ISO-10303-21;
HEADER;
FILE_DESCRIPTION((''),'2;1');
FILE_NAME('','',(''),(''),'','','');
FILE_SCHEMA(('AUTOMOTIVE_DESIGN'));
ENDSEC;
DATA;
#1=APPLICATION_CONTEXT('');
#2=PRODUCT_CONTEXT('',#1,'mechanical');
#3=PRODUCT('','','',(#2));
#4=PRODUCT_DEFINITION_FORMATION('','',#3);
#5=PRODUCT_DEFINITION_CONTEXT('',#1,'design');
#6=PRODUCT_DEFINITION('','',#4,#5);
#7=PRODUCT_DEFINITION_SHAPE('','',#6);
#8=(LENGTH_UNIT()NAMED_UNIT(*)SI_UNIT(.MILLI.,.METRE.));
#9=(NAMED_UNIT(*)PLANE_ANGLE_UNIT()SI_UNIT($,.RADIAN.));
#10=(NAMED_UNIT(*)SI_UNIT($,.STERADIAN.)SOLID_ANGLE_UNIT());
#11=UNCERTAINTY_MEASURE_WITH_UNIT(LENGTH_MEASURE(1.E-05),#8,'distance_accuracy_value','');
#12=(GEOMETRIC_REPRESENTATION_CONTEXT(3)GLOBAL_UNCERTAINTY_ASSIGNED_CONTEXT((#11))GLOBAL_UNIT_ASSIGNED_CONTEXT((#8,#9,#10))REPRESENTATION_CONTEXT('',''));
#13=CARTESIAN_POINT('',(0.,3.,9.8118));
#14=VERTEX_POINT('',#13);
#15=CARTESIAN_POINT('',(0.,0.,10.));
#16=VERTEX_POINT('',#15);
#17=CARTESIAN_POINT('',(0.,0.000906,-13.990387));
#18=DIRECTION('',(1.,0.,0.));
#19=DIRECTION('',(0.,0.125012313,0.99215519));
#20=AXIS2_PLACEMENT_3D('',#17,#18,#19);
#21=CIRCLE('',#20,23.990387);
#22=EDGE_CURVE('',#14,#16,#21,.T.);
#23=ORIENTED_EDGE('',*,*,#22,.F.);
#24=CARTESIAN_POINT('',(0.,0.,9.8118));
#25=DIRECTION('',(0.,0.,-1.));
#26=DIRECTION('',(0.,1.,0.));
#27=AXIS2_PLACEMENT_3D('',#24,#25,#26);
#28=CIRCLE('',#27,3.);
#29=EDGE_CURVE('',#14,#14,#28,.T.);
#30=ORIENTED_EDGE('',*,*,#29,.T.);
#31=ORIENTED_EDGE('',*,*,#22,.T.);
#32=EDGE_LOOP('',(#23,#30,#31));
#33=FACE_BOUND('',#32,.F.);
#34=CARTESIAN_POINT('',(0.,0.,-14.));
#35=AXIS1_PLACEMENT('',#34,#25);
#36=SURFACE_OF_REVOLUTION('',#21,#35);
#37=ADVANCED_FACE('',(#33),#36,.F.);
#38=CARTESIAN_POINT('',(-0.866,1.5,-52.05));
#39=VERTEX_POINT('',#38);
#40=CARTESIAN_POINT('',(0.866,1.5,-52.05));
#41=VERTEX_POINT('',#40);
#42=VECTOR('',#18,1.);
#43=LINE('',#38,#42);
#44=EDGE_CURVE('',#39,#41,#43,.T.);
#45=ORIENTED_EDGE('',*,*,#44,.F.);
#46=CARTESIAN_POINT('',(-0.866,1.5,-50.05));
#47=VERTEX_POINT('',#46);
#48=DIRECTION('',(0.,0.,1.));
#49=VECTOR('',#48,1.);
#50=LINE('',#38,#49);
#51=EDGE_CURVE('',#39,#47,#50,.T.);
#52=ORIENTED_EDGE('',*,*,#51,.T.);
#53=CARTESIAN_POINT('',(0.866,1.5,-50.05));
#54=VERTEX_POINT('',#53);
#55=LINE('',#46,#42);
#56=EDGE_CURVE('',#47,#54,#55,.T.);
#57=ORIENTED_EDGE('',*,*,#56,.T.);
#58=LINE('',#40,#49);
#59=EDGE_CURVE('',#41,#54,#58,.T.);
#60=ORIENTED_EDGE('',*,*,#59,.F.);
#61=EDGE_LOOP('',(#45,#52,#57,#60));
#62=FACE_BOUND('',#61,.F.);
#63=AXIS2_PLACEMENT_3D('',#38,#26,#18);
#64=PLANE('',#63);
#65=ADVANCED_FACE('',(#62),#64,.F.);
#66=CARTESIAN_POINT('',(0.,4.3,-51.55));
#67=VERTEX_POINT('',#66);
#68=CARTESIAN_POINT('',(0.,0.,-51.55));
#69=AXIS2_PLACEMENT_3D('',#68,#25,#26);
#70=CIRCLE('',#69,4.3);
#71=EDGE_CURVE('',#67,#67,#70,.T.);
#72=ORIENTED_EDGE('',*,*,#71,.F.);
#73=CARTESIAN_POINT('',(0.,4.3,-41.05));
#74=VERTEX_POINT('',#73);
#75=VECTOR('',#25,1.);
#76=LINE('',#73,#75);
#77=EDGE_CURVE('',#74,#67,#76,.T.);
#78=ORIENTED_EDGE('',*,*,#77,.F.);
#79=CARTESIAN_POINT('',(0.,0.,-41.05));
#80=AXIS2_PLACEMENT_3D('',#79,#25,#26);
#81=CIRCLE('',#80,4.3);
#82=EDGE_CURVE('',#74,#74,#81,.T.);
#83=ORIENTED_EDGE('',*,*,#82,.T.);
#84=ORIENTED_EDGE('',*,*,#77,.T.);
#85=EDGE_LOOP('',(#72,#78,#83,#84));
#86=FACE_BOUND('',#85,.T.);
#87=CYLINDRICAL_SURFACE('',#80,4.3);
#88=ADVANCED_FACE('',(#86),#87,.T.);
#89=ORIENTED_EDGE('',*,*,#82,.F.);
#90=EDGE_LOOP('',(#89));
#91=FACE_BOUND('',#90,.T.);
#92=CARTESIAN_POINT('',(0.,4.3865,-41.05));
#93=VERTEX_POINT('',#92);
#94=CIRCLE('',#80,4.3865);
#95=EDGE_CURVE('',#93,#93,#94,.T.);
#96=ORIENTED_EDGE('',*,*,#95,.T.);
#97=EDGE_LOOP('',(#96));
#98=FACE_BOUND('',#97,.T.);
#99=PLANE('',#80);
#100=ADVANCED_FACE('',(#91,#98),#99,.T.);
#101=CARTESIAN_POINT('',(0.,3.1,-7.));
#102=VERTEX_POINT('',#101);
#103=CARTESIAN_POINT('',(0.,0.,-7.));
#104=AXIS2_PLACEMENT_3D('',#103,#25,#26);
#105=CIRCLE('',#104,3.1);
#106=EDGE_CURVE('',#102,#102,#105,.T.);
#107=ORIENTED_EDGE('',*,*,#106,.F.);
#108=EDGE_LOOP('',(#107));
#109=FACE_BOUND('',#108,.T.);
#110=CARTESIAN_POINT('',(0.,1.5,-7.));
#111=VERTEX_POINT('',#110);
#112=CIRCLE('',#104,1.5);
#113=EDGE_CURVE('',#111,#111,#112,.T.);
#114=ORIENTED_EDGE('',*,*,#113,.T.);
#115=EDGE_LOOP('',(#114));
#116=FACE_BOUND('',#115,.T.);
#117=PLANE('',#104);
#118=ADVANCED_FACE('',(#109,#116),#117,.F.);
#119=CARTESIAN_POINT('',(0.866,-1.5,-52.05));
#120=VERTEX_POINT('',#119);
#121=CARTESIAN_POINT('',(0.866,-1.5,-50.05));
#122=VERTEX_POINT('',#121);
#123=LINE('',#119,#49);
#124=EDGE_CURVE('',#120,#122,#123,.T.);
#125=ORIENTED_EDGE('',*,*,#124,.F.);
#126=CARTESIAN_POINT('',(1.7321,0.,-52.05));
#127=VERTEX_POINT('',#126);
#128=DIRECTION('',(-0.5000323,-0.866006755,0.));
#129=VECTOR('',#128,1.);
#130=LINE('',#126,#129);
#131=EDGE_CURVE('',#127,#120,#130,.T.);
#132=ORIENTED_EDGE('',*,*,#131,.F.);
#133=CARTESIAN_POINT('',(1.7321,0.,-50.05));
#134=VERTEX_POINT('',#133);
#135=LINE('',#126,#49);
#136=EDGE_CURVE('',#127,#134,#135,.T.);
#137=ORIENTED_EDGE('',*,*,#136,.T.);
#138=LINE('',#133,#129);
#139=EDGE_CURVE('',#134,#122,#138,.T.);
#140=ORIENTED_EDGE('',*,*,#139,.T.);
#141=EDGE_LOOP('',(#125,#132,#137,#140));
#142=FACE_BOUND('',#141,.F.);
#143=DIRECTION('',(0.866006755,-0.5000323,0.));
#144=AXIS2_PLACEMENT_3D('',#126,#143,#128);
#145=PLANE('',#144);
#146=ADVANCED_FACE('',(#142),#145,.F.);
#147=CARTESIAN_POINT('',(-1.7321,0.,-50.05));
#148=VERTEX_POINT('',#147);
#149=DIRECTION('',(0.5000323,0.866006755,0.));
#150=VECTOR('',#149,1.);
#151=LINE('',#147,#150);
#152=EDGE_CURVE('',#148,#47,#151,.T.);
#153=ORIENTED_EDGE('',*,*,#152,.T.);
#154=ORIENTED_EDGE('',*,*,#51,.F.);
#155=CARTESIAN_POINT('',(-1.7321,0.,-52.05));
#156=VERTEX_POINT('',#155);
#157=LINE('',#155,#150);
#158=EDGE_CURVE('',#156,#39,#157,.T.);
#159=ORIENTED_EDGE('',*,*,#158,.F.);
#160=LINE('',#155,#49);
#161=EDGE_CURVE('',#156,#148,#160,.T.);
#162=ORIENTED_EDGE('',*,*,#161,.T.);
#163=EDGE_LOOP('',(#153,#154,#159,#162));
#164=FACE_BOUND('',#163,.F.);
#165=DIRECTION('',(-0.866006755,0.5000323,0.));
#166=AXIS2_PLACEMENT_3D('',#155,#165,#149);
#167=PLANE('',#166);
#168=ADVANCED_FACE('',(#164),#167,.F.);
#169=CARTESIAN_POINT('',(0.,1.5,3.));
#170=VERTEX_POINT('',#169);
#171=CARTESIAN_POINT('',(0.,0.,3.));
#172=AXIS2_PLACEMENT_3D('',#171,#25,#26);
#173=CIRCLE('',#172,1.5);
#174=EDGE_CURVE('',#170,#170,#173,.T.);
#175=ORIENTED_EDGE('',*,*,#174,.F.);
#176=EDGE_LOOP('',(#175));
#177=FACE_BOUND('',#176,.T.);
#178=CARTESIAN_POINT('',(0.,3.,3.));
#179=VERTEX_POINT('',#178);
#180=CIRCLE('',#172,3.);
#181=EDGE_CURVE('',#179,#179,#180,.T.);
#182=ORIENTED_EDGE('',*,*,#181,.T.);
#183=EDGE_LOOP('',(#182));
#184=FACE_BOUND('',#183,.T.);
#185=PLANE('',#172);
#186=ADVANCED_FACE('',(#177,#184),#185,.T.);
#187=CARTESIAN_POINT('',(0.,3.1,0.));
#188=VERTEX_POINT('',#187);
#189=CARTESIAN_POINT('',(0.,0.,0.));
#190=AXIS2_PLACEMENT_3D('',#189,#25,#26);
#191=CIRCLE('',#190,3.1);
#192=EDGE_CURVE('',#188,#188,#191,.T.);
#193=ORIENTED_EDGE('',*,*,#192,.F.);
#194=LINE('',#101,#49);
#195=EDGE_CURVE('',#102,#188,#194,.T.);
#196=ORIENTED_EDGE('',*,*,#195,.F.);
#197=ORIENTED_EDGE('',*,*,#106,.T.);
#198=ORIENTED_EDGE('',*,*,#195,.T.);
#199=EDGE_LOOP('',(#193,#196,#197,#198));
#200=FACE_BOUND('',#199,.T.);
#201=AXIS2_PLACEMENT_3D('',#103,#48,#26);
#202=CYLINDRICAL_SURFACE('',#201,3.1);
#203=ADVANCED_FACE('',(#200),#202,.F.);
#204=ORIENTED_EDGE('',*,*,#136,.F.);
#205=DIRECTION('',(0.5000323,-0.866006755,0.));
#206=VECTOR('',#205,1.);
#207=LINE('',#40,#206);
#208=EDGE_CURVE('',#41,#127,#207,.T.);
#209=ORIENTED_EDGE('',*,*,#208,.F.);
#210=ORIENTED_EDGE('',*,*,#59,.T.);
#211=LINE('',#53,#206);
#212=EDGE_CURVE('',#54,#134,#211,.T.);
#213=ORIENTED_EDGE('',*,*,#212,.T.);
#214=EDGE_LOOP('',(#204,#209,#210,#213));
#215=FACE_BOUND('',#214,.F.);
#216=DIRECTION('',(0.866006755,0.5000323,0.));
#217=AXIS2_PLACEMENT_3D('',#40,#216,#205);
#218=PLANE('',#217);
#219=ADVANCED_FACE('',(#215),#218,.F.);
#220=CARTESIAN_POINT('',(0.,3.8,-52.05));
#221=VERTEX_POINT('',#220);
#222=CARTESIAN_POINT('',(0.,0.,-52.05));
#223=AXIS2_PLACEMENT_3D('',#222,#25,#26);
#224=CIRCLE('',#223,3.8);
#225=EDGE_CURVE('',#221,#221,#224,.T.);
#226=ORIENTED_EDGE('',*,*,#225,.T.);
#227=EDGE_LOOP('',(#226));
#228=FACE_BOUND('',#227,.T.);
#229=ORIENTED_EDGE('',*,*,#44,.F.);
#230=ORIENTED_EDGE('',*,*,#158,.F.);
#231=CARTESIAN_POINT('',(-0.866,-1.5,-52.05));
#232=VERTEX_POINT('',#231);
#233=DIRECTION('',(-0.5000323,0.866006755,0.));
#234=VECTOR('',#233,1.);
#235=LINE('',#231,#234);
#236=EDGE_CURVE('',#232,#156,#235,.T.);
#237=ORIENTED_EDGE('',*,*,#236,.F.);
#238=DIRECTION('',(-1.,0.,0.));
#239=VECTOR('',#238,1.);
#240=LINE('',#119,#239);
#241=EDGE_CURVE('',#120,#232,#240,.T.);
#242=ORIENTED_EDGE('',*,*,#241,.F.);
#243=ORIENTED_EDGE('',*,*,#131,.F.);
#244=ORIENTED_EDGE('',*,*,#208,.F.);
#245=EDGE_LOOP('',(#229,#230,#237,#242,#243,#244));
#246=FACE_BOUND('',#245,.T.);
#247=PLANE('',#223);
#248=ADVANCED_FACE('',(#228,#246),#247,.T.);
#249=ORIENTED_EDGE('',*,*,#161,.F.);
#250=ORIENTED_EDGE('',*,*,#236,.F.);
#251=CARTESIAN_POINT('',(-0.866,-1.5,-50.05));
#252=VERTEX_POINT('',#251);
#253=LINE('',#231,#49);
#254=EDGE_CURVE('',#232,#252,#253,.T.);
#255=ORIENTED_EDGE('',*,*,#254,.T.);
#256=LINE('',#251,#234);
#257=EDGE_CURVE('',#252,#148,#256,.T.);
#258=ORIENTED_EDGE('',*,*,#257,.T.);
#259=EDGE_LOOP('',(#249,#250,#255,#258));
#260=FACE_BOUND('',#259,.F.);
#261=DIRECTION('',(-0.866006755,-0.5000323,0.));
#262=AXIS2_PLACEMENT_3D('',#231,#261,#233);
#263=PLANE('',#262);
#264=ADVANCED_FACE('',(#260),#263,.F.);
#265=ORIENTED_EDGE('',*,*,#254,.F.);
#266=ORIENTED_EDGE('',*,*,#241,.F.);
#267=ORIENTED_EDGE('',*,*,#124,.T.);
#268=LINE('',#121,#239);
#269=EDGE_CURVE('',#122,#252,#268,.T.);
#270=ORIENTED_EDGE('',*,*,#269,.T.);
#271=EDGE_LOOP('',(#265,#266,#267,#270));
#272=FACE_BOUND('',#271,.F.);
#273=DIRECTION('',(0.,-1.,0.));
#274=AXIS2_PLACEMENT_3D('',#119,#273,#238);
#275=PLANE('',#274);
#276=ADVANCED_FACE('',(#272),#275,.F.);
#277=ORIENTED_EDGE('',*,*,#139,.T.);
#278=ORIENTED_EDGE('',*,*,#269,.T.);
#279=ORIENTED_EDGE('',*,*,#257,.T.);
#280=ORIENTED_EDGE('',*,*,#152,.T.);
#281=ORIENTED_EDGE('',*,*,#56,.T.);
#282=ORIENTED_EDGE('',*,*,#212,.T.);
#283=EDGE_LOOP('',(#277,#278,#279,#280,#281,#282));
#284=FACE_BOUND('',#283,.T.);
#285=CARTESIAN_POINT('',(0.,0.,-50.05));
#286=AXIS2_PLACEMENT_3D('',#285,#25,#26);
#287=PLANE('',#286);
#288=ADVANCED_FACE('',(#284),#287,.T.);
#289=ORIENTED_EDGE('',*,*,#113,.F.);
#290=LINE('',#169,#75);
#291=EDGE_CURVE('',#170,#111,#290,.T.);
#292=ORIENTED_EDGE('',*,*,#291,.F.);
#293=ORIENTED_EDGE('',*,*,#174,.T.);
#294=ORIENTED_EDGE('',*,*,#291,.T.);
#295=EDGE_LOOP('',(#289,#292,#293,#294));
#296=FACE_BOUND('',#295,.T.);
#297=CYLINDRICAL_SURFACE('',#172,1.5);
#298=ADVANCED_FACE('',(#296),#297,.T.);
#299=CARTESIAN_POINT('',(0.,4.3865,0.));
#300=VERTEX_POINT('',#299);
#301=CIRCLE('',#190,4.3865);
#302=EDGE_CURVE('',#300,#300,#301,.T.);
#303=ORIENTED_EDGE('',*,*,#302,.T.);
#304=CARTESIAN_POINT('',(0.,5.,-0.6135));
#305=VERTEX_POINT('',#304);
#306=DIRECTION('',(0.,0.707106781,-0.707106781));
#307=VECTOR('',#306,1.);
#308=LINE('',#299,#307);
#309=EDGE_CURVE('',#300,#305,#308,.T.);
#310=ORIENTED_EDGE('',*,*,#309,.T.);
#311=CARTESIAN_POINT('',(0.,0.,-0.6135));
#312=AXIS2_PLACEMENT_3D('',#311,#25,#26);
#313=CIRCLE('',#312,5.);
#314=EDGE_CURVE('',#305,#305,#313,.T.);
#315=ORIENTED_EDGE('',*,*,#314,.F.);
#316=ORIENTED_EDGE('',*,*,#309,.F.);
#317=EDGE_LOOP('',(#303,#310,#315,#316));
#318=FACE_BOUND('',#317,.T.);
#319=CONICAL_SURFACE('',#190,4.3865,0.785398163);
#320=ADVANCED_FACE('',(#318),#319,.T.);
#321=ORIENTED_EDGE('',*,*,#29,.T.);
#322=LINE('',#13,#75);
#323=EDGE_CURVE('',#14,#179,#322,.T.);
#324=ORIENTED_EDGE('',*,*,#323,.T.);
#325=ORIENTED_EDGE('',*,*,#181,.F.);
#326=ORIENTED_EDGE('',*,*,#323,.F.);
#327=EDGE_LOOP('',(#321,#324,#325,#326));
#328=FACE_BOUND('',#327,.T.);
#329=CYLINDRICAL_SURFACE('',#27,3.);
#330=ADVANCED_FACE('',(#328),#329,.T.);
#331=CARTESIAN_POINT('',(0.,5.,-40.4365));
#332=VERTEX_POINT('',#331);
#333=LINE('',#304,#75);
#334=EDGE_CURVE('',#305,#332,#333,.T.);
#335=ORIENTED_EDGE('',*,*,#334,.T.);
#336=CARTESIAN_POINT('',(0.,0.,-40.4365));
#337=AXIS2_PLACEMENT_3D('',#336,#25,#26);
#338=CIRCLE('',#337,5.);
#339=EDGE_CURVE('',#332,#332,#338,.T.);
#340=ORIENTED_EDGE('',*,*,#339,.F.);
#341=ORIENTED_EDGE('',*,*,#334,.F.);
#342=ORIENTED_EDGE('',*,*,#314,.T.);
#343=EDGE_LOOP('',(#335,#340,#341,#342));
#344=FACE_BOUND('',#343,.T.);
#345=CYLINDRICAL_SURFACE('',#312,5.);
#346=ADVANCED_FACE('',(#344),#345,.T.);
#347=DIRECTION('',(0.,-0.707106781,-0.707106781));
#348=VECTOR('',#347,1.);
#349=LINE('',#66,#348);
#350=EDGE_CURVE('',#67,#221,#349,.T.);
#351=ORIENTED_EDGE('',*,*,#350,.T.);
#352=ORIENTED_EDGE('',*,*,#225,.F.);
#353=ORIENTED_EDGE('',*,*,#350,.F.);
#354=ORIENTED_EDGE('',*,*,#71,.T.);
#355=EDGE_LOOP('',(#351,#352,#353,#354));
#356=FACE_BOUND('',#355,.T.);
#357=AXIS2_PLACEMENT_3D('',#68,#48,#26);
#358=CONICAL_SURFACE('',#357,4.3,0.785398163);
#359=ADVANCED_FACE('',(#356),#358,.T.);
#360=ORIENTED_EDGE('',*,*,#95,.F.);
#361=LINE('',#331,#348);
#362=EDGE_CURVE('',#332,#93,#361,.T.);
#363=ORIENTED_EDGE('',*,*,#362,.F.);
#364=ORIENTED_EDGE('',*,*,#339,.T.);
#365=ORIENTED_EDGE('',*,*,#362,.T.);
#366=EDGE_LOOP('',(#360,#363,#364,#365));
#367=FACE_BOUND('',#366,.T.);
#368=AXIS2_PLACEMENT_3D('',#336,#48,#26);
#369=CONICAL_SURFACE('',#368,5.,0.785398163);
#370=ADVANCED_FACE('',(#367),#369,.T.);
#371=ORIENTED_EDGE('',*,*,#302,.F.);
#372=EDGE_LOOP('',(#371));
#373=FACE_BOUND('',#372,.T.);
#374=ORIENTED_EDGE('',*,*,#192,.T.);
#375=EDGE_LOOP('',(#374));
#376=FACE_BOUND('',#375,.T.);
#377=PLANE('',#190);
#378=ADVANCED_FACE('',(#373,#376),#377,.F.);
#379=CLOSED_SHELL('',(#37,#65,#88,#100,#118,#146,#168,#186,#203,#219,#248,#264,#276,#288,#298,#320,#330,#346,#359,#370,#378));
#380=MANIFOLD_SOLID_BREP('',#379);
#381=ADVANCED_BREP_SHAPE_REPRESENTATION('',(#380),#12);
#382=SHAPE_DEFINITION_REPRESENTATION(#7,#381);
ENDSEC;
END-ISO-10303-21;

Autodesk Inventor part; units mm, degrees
sketch "Skizze_1" plane through (0, 0, 0) normal (1, 0, 0) x (0, 1, 0)
  line L0 (0, -52.05) -> (0, 0)
  line L1 (0, -7) -> (3.1, -7)
  line L2 (3.1, -7) -> (3.1, 0)
  line L3 (3.1, 0) -> (4.3865, 0)
  line L4 (4.3865, 0) -> (5, -0.6135)
  line L5 (5, -0.6135) -> (5, -40.4365)
  line L6 (5, -40.4365) -> (4.3865, -41.05)
  line L7 (4.3865, -41.05) -> (4.3, -41.05)
  line L8 (4.3, -41.05) -> (4.3, -51.55)
  line L9 (4.3, -51.55) -> (3.8, -52.05)
  line L10 (3.8, -52.05) -> (0, -52.05)
  line L11 (0, -52.05) -> (0, -7)
revolve "Revolution1" add sketch "Skizze_1" angle 360 about axis through (0, 0, -52.05) along (0, 0, -1)
thread "Thread1" size "M10x1" class "6g" standard "ISO Metric profile" full length
sketch "Skizze_3" plane through (0, 0, 0) normal (1, 0, 0) x (0, 1, 0)
  line L0 (0, -14) -> (0, 10)
  arc A0 (3, 9.8118) -> (0, 10) centre (0, -14) ccw
  line L1 (3, 9.8118) -> (3, 3)
  line L2 (3, 3) -> (1.5, 3)
  line L3 (1.5, 3) -> (1.5, -14)
  line L4 (1.5, -14) -> (0, -14)
  line L5 (0, -14) -> (0, 10)
revolve "Revolution2" add sketch "Skizze_3" angle 360 about axis through (0, 0, -14) along (0, 0, -1)
sketch "Skizze_4" plane through (0, 0, -52.05) normal (0, 0, -1) x (0, 1, 0)
  line L0 (-1.5, -0.866) -> (0, -1.7321)
  line L1 (0, -1.7321) -> (1.5, -0.866)
  line L2 (1.5, -0.866) -> (1.5, 0.866)
  line L3 (1.5, 0.866) -> (0, 1.7321)
  line L4 (0, 1.7321) -> (-1.5, 0.866)
  line L5 (-1.5, 0.866) -> (-1.5, -0.866)
extrude "Extrusion1" cut sketch "Skizze_4" against normal blind 2
ref_plane "FDT_ANBAU_XY" through (0, 0, -1.5) normal (0, 0, -1) x (1, 0, 0)
ref_plane "FDT_ANBAU_YZ" through (0, 0, -1.5) normal (1, 0, 0) x (0, -1, 0)
ref_plane "FDT_ANBAU_ZX" through (0, 0, -1.5) normal (0, -1, 0) x (0, 0, -1)
ref_plane "FDT_NUT_XY" through (0, 0, -21.5) normal (0, 0, 1) x (1, 0, 0)
ref_plane "FDT_NUT_YZ" through (0, 0, -21.5) normal (1, 0, 0) x (0, 1, 0)
ref_plane "FDT_NUT_ZX" through (0, 0, -21.5) normal (0, 1, 0) x (0, 0, 1)
ref_plane "IP_DGSL_XY" through (0, 0, -52.05) normal (0, 0, -1) x (0, 1, 0)
ref_plane "IP_DGSL_YZ" through (0, 0, -52.05) normal (0, 1, 0) x (1, 0, 0)
ref_plane "IP_DGSL_ZX" through (0, 0, -52.05) normal (1, 0, 0) x (0, 0, -1)
ref_plane "NUT1_XY" through (0, 0, -17.025) normal (0, 0, 1) x (1, 0, 0)
ref_plane "NUT1_YZ" through (0, 0, -17.025) normal (1, 0, 0) x (0, 1, 0)
ref_plane "NUT1_ZX" through (0, 0, -17.025) normal (0, 1, 0) x (0, 0, 1)
ref_plane "NUT2_XY" through (0, 0, -24.025) normal (0, 0, 1) x (1, 0, 0)
ref_plane "NUT2_YZ" through (0, 0, -24.025) normal (1, 0, 0) x (0, 1, 0)
ref_plane "NUT2_ZX" through (0, 0, -24.025) normal (0, 1, 0) x (0, 0, 1)
properties part number "548072 DYSW-7-10-Y1F---(SD_0)"
